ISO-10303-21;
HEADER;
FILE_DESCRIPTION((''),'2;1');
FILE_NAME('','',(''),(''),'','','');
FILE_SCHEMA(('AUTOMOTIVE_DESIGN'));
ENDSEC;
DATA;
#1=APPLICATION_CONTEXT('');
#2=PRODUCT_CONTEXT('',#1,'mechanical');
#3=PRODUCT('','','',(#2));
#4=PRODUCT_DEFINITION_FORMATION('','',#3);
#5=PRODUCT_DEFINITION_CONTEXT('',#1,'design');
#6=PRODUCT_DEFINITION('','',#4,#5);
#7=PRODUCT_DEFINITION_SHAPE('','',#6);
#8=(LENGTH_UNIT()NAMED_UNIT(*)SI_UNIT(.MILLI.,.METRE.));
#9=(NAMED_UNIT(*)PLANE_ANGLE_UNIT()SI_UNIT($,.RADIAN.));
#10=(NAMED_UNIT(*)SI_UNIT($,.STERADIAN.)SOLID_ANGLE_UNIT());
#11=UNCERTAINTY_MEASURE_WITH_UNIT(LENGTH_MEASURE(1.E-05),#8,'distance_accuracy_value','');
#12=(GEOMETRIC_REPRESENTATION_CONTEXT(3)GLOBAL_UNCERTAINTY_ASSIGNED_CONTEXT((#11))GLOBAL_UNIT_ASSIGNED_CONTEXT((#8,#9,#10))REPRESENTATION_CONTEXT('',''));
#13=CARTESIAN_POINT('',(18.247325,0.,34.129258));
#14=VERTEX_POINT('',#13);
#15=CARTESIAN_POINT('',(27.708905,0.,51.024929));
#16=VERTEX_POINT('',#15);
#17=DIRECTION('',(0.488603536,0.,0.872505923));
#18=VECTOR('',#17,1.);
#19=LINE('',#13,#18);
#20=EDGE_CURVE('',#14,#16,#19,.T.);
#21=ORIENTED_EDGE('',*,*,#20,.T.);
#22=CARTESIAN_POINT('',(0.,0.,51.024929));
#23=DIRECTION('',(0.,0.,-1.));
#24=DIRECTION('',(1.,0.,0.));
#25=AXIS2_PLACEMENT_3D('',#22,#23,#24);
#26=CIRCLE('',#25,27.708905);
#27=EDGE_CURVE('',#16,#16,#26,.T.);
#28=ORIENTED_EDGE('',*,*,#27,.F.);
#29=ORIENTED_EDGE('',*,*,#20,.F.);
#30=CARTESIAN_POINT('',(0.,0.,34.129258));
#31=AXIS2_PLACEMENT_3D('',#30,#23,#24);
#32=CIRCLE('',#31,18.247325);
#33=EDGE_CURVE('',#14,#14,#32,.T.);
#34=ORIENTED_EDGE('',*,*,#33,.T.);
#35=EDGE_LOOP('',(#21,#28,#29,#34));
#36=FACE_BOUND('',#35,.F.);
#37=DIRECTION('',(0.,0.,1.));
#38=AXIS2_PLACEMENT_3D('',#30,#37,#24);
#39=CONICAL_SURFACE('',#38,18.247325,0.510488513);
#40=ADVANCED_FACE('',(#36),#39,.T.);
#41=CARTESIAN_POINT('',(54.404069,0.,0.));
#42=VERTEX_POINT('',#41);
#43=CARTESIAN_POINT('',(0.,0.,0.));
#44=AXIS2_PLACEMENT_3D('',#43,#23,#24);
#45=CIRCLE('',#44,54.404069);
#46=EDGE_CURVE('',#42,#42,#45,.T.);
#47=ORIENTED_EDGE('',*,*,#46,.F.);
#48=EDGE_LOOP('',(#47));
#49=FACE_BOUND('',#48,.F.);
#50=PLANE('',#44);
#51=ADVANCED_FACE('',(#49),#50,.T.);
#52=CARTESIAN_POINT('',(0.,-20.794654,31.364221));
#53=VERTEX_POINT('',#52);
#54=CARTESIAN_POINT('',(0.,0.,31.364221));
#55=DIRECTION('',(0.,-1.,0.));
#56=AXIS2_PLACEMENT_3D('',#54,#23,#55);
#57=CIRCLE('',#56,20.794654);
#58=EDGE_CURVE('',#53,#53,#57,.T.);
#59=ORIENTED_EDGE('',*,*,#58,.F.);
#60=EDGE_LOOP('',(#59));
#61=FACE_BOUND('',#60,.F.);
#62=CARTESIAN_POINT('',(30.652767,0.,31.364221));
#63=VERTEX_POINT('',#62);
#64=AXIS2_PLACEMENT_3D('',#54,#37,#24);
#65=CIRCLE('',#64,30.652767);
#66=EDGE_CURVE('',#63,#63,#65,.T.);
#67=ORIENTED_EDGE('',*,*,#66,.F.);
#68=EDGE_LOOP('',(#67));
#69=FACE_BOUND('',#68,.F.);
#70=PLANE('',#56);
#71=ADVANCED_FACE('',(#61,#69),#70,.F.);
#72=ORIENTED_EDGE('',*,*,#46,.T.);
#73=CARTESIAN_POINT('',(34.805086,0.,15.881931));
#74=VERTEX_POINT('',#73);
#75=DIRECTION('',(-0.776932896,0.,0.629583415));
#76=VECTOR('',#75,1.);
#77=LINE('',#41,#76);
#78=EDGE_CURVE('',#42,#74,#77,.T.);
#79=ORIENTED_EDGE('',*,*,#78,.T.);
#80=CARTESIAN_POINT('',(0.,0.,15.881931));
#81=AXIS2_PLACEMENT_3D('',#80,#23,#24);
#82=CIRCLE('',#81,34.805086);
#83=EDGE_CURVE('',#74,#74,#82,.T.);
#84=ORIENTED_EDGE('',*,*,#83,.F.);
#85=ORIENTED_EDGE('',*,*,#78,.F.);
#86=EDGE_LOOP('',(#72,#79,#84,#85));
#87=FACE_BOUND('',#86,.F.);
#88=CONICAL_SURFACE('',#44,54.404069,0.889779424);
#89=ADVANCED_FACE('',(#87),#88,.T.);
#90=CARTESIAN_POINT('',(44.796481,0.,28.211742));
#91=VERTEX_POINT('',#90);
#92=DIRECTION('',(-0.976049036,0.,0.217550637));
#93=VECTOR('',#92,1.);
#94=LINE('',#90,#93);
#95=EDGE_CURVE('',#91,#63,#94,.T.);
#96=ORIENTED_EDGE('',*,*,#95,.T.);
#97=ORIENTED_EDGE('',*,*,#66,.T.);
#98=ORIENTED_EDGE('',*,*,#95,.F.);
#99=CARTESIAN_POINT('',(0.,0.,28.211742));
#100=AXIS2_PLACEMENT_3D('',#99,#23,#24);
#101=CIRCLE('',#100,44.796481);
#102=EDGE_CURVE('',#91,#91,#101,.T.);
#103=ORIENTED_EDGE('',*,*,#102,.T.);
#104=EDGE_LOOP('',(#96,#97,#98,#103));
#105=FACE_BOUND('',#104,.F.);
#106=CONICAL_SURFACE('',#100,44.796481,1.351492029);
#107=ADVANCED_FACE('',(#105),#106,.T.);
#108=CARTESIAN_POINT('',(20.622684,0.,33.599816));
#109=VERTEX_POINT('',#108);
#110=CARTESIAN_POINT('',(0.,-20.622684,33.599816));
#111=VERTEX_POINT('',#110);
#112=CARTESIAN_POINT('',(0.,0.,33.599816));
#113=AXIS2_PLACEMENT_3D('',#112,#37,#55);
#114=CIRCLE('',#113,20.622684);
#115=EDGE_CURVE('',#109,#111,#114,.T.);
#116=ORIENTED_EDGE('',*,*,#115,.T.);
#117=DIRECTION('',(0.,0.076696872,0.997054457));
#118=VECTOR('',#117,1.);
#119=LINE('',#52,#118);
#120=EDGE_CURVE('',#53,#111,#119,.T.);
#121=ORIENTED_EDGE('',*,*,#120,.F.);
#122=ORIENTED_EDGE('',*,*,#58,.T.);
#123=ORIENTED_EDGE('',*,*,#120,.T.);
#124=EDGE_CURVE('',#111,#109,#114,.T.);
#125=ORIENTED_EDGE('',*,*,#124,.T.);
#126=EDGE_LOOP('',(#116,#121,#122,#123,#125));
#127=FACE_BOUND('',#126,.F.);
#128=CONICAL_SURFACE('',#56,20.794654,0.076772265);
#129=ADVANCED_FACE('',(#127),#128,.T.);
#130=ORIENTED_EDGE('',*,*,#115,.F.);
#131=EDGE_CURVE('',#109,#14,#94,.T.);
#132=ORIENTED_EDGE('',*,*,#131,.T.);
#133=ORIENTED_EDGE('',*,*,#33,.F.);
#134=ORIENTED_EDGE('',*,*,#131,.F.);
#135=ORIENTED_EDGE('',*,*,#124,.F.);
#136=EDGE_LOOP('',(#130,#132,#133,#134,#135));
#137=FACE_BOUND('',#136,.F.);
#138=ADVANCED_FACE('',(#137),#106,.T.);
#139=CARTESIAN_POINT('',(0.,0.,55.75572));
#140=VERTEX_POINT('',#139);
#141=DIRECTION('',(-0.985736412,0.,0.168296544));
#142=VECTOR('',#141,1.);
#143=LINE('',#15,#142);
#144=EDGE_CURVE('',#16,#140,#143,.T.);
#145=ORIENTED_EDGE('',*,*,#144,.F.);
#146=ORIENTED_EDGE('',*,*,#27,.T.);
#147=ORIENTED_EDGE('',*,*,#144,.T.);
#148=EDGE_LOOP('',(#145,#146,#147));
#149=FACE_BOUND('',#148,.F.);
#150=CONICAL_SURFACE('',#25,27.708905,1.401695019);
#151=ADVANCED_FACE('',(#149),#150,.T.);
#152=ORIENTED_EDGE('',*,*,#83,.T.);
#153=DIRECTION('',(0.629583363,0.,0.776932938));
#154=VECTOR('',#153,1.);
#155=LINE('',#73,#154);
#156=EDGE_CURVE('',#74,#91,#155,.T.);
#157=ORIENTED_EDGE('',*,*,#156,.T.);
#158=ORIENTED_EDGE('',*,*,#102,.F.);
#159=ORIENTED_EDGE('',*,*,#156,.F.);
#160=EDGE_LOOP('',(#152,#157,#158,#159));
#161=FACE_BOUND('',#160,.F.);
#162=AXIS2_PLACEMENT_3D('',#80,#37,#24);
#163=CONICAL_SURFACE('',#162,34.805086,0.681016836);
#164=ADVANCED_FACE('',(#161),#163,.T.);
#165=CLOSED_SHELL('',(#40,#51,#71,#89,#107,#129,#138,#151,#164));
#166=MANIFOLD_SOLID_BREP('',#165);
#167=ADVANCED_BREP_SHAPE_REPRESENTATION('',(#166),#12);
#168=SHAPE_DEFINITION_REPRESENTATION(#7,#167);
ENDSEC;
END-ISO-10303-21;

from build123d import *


with BuildPart() as f1:
    # F0 (on Front) → F1 (revolve)
    with BuildSketch(Plane.XZ):
        Polygon((27.708905, 51.024929), (0, 55.75572), (0, 0), (54.404069, 0), (34.805086, 15.881931), (44.796481, 28.211742), (18.247325, 34.129258), align=None)
    revolve(axis=Axis((0, 0, 27.87786), (0, 0, -1)))

    # F2 (on Right) → F3 (revolve, cut)
    with BuildSketch(Plane.YZ):
        Polygon((-20.794654, 31.364221), (-20.621512, 33.615056), (-31.009976, 31.364221), align=None)
    revolve(axis=Axis((0, 0, 28.211742), (0, 0, -1)), mode=Mode.SUBTRACT)


solid = f1.part
